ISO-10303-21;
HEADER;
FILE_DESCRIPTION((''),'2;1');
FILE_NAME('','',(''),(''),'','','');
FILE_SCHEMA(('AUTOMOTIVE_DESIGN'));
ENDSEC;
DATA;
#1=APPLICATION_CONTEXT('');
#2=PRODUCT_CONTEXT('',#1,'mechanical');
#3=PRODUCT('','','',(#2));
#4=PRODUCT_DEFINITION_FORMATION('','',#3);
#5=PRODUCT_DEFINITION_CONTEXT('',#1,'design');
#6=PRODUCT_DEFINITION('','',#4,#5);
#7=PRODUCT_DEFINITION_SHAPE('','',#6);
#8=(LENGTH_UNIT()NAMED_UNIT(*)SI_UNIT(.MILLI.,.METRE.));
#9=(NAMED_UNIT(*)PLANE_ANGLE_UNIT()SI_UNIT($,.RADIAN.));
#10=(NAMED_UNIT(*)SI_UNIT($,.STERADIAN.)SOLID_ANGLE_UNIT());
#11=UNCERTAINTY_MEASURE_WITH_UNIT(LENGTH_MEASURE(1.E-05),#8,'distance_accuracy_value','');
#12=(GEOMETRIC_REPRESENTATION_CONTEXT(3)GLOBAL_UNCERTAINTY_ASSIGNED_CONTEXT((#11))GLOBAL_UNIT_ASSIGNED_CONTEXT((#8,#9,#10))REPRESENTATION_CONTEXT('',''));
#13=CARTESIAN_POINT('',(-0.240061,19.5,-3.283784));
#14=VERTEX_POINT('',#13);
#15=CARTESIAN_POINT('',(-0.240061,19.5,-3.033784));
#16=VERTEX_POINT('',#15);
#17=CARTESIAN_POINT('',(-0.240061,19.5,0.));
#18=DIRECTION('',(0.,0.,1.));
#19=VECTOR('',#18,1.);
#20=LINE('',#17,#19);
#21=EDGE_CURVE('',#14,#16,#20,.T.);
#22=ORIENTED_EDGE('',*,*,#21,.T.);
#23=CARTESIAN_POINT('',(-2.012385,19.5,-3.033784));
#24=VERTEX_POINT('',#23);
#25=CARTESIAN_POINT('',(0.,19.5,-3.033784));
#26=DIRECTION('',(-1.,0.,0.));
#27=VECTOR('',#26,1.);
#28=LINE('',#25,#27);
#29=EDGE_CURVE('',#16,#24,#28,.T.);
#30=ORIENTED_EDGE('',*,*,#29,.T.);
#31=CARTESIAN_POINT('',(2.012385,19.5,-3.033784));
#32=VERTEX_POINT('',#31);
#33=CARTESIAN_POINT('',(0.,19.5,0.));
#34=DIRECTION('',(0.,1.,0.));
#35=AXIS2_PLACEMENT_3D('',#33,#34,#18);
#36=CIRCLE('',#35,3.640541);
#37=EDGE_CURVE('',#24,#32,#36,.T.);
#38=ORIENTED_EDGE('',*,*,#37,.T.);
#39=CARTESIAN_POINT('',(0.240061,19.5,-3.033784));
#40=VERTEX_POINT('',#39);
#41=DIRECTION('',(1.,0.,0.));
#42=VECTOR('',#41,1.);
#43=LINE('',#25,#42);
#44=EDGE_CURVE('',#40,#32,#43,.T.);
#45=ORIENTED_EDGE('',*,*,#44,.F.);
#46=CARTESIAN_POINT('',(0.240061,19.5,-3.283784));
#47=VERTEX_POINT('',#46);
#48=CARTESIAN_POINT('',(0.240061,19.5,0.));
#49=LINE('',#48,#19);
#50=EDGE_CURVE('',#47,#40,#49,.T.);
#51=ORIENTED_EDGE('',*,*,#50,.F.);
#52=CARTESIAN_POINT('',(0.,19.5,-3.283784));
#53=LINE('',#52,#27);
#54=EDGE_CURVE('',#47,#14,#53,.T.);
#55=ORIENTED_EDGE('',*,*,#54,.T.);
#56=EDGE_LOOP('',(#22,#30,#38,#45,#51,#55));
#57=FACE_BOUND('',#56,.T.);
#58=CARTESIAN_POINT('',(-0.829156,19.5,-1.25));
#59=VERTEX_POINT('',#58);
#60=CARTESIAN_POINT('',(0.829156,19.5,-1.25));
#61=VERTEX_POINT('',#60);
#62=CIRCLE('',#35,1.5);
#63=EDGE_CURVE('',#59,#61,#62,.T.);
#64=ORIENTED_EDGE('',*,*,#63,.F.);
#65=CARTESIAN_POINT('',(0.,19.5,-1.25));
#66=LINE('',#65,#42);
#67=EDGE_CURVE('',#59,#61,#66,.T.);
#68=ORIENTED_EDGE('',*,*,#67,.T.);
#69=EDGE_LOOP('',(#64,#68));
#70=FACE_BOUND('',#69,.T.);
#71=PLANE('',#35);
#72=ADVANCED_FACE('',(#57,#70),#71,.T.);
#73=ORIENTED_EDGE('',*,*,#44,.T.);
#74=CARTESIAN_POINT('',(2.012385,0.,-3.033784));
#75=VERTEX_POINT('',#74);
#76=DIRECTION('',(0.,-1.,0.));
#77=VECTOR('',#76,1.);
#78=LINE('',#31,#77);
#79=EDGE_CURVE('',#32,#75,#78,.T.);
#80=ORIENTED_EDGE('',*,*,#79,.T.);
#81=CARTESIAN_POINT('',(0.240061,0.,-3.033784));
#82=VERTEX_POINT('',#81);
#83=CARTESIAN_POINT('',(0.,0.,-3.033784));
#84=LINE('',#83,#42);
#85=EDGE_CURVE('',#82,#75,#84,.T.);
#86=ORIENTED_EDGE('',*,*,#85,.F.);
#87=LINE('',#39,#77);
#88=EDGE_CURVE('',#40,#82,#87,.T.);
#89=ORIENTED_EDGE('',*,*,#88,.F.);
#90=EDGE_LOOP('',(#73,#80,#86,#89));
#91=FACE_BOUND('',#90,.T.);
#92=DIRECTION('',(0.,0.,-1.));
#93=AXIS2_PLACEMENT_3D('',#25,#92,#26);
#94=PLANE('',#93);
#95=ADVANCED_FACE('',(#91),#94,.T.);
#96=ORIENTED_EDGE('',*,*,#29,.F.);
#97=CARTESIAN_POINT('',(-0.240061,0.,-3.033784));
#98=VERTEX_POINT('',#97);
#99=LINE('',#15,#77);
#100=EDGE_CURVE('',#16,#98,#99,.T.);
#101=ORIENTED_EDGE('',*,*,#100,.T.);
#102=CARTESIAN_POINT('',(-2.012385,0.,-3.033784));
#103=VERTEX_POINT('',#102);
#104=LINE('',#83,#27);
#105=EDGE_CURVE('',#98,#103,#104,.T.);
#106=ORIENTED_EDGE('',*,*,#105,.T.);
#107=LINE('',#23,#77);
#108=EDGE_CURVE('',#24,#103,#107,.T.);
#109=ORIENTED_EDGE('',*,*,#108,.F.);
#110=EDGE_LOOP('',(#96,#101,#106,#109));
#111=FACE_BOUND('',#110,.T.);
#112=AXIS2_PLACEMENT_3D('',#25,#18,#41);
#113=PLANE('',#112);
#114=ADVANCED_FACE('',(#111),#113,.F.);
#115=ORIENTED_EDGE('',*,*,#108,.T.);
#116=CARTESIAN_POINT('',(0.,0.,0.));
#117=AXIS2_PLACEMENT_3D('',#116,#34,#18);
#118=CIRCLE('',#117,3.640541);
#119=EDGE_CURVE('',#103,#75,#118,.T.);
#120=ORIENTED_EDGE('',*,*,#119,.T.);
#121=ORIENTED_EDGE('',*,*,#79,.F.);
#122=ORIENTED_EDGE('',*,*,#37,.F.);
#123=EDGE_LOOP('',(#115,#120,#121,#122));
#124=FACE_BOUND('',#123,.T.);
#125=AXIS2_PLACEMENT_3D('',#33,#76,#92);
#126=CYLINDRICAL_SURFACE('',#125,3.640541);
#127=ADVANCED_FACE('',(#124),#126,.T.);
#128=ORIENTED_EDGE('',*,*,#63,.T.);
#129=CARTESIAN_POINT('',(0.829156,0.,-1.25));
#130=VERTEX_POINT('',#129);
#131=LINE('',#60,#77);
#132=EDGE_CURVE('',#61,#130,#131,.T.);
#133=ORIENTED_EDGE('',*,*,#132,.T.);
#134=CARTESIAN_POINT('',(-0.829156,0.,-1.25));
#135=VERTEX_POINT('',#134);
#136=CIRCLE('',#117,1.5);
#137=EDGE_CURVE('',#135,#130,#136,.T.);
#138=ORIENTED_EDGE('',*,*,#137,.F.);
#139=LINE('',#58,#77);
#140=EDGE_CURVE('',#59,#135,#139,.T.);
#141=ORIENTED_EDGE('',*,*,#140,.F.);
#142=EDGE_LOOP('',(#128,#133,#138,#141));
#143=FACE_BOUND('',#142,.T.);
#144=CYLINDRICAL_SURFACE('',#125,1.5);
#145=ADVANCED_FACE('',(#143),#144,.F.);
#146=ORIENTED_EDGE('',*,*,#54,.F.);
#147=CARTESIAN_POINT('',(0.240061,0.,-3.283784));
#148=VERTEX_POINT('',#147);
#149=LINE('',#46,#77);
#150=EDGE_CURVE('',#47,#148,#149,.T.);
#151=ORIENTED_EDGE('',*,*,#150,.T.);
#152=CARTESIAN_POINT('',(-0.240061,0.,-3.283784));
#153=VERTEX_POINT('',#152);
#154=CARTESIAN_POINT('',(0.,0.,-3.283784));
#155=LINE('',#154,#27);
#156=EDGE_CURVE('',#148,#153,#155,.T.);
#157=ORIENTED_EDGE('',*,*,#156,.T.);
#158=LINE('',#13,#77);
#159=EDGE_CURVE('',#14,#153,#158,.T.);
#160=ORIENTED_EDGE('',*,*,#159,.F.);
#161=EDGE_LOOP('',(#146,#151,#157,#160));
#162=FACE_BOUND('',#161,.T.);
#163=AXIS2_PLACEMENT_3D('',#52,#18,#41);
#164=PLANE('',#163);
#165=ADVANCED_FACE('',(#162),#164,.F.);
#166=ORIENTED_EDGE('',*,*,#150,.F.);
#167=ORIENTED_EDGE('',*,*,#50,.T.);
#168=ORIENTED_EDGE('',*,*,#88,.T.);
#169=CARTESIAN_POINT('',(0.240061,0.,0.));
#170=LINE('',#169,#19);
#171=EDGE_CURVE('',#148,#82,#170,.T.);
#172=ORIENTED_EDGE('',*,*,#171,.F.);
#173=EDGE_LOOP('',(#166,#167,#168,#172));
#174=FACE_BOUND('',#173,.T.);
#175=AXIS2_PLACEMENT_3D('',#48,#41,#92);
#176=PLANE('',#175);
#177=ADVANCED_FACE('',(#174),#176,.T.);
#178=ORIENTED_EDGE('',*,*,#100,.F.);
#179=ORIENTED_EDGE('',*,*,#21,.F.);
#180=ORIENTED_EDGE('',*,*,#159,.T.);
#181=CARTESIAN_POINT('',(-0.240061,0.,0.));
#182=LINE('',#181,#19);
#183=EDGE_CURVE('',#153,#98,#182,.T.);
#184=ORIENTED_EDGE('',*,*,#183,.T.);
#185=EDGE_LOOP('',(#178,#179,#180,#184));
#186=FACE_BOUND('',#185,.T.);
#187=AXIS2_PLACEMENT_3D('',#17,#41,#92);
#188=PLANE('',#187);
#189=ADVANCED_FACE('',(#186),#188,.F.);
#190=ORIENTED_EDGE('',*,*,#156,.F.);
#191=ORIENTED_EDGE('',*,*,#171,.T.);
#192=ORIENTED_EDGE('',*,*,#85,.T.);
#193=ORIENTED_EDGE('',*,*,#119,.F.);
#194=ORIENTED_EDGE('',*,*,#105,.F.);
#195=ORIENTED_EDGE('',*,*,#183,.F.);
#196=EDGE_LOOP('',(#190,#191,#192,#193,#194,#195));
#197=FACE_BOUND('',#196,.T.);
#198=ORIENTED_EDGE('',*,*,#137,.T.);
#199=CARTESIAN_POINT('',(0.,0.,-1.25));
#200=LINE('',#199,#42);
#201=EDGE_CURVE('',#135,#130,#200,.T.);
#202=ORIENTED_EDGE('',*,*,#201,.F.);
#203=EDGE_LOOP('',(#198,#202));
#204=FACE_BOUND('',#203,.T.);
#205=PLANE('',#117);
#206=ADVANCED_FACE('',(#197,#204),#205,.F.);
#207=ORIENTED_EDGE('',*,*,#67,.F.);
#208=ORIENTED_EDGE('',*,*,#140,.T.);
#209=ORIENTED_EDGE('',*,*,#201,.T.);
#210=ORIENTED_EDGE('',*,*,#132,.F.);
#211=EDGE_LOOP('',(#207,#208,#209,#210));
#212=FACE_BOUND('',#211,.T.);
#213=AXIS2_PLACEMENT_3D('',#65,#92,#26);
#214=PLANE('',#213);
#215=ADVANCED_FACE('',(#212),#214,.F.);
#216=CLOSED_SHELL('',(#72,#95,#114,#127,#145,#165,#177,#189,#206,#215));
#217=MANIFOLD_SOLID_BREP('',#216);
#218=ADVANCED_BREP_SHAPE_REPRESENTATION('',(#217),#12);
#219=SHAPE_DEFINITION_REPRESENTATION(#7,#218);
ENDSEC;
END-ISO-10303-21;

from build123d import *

# Parameters (mm, degrees)
EXTRUDE_1_DEPTH = 19.5


with BuildPart() as part:
    # 草图1 → 凸台-拉伸1 (new body)
    with BuildSketch(Plane(origin=(0, 0, 0), x_dir=(1, 0, 0), z_dir=(0, 1, 0))):
        with BuildLine():
            Line((-0.240061086, 3.033784066), (-2.012384688, 3.033784066))
            ThreePointArc((-2.012384688, 3.033784066), (0, -3.640540879), (2.012384688, 3.033784066))
            Line((2.012384688, 3.033784066), (0.240061086, 3.033784066))
            Line((0.240061086, 3.033784066), (0.240061086, 3.283784066))
            Line((0.240061086, 3.283784066), (-0.240061086, 3.283784066))
            Line((-0.240061086, 3.283784066), (-0.240061086, 3.033784066))
        make_face()
        with BuildLine():
            Line((-0.829156198, 1.25), (0.829156198, 1.25))
            ThreePointArc((0.829156198, 1.25), (0, -1.5), (-0.829156198, 1.25))
        make_face(mode=Mode.SUBTRACT)
    extrude(amount=EXTRUDE_1_DEPTH)


solid = part.part
